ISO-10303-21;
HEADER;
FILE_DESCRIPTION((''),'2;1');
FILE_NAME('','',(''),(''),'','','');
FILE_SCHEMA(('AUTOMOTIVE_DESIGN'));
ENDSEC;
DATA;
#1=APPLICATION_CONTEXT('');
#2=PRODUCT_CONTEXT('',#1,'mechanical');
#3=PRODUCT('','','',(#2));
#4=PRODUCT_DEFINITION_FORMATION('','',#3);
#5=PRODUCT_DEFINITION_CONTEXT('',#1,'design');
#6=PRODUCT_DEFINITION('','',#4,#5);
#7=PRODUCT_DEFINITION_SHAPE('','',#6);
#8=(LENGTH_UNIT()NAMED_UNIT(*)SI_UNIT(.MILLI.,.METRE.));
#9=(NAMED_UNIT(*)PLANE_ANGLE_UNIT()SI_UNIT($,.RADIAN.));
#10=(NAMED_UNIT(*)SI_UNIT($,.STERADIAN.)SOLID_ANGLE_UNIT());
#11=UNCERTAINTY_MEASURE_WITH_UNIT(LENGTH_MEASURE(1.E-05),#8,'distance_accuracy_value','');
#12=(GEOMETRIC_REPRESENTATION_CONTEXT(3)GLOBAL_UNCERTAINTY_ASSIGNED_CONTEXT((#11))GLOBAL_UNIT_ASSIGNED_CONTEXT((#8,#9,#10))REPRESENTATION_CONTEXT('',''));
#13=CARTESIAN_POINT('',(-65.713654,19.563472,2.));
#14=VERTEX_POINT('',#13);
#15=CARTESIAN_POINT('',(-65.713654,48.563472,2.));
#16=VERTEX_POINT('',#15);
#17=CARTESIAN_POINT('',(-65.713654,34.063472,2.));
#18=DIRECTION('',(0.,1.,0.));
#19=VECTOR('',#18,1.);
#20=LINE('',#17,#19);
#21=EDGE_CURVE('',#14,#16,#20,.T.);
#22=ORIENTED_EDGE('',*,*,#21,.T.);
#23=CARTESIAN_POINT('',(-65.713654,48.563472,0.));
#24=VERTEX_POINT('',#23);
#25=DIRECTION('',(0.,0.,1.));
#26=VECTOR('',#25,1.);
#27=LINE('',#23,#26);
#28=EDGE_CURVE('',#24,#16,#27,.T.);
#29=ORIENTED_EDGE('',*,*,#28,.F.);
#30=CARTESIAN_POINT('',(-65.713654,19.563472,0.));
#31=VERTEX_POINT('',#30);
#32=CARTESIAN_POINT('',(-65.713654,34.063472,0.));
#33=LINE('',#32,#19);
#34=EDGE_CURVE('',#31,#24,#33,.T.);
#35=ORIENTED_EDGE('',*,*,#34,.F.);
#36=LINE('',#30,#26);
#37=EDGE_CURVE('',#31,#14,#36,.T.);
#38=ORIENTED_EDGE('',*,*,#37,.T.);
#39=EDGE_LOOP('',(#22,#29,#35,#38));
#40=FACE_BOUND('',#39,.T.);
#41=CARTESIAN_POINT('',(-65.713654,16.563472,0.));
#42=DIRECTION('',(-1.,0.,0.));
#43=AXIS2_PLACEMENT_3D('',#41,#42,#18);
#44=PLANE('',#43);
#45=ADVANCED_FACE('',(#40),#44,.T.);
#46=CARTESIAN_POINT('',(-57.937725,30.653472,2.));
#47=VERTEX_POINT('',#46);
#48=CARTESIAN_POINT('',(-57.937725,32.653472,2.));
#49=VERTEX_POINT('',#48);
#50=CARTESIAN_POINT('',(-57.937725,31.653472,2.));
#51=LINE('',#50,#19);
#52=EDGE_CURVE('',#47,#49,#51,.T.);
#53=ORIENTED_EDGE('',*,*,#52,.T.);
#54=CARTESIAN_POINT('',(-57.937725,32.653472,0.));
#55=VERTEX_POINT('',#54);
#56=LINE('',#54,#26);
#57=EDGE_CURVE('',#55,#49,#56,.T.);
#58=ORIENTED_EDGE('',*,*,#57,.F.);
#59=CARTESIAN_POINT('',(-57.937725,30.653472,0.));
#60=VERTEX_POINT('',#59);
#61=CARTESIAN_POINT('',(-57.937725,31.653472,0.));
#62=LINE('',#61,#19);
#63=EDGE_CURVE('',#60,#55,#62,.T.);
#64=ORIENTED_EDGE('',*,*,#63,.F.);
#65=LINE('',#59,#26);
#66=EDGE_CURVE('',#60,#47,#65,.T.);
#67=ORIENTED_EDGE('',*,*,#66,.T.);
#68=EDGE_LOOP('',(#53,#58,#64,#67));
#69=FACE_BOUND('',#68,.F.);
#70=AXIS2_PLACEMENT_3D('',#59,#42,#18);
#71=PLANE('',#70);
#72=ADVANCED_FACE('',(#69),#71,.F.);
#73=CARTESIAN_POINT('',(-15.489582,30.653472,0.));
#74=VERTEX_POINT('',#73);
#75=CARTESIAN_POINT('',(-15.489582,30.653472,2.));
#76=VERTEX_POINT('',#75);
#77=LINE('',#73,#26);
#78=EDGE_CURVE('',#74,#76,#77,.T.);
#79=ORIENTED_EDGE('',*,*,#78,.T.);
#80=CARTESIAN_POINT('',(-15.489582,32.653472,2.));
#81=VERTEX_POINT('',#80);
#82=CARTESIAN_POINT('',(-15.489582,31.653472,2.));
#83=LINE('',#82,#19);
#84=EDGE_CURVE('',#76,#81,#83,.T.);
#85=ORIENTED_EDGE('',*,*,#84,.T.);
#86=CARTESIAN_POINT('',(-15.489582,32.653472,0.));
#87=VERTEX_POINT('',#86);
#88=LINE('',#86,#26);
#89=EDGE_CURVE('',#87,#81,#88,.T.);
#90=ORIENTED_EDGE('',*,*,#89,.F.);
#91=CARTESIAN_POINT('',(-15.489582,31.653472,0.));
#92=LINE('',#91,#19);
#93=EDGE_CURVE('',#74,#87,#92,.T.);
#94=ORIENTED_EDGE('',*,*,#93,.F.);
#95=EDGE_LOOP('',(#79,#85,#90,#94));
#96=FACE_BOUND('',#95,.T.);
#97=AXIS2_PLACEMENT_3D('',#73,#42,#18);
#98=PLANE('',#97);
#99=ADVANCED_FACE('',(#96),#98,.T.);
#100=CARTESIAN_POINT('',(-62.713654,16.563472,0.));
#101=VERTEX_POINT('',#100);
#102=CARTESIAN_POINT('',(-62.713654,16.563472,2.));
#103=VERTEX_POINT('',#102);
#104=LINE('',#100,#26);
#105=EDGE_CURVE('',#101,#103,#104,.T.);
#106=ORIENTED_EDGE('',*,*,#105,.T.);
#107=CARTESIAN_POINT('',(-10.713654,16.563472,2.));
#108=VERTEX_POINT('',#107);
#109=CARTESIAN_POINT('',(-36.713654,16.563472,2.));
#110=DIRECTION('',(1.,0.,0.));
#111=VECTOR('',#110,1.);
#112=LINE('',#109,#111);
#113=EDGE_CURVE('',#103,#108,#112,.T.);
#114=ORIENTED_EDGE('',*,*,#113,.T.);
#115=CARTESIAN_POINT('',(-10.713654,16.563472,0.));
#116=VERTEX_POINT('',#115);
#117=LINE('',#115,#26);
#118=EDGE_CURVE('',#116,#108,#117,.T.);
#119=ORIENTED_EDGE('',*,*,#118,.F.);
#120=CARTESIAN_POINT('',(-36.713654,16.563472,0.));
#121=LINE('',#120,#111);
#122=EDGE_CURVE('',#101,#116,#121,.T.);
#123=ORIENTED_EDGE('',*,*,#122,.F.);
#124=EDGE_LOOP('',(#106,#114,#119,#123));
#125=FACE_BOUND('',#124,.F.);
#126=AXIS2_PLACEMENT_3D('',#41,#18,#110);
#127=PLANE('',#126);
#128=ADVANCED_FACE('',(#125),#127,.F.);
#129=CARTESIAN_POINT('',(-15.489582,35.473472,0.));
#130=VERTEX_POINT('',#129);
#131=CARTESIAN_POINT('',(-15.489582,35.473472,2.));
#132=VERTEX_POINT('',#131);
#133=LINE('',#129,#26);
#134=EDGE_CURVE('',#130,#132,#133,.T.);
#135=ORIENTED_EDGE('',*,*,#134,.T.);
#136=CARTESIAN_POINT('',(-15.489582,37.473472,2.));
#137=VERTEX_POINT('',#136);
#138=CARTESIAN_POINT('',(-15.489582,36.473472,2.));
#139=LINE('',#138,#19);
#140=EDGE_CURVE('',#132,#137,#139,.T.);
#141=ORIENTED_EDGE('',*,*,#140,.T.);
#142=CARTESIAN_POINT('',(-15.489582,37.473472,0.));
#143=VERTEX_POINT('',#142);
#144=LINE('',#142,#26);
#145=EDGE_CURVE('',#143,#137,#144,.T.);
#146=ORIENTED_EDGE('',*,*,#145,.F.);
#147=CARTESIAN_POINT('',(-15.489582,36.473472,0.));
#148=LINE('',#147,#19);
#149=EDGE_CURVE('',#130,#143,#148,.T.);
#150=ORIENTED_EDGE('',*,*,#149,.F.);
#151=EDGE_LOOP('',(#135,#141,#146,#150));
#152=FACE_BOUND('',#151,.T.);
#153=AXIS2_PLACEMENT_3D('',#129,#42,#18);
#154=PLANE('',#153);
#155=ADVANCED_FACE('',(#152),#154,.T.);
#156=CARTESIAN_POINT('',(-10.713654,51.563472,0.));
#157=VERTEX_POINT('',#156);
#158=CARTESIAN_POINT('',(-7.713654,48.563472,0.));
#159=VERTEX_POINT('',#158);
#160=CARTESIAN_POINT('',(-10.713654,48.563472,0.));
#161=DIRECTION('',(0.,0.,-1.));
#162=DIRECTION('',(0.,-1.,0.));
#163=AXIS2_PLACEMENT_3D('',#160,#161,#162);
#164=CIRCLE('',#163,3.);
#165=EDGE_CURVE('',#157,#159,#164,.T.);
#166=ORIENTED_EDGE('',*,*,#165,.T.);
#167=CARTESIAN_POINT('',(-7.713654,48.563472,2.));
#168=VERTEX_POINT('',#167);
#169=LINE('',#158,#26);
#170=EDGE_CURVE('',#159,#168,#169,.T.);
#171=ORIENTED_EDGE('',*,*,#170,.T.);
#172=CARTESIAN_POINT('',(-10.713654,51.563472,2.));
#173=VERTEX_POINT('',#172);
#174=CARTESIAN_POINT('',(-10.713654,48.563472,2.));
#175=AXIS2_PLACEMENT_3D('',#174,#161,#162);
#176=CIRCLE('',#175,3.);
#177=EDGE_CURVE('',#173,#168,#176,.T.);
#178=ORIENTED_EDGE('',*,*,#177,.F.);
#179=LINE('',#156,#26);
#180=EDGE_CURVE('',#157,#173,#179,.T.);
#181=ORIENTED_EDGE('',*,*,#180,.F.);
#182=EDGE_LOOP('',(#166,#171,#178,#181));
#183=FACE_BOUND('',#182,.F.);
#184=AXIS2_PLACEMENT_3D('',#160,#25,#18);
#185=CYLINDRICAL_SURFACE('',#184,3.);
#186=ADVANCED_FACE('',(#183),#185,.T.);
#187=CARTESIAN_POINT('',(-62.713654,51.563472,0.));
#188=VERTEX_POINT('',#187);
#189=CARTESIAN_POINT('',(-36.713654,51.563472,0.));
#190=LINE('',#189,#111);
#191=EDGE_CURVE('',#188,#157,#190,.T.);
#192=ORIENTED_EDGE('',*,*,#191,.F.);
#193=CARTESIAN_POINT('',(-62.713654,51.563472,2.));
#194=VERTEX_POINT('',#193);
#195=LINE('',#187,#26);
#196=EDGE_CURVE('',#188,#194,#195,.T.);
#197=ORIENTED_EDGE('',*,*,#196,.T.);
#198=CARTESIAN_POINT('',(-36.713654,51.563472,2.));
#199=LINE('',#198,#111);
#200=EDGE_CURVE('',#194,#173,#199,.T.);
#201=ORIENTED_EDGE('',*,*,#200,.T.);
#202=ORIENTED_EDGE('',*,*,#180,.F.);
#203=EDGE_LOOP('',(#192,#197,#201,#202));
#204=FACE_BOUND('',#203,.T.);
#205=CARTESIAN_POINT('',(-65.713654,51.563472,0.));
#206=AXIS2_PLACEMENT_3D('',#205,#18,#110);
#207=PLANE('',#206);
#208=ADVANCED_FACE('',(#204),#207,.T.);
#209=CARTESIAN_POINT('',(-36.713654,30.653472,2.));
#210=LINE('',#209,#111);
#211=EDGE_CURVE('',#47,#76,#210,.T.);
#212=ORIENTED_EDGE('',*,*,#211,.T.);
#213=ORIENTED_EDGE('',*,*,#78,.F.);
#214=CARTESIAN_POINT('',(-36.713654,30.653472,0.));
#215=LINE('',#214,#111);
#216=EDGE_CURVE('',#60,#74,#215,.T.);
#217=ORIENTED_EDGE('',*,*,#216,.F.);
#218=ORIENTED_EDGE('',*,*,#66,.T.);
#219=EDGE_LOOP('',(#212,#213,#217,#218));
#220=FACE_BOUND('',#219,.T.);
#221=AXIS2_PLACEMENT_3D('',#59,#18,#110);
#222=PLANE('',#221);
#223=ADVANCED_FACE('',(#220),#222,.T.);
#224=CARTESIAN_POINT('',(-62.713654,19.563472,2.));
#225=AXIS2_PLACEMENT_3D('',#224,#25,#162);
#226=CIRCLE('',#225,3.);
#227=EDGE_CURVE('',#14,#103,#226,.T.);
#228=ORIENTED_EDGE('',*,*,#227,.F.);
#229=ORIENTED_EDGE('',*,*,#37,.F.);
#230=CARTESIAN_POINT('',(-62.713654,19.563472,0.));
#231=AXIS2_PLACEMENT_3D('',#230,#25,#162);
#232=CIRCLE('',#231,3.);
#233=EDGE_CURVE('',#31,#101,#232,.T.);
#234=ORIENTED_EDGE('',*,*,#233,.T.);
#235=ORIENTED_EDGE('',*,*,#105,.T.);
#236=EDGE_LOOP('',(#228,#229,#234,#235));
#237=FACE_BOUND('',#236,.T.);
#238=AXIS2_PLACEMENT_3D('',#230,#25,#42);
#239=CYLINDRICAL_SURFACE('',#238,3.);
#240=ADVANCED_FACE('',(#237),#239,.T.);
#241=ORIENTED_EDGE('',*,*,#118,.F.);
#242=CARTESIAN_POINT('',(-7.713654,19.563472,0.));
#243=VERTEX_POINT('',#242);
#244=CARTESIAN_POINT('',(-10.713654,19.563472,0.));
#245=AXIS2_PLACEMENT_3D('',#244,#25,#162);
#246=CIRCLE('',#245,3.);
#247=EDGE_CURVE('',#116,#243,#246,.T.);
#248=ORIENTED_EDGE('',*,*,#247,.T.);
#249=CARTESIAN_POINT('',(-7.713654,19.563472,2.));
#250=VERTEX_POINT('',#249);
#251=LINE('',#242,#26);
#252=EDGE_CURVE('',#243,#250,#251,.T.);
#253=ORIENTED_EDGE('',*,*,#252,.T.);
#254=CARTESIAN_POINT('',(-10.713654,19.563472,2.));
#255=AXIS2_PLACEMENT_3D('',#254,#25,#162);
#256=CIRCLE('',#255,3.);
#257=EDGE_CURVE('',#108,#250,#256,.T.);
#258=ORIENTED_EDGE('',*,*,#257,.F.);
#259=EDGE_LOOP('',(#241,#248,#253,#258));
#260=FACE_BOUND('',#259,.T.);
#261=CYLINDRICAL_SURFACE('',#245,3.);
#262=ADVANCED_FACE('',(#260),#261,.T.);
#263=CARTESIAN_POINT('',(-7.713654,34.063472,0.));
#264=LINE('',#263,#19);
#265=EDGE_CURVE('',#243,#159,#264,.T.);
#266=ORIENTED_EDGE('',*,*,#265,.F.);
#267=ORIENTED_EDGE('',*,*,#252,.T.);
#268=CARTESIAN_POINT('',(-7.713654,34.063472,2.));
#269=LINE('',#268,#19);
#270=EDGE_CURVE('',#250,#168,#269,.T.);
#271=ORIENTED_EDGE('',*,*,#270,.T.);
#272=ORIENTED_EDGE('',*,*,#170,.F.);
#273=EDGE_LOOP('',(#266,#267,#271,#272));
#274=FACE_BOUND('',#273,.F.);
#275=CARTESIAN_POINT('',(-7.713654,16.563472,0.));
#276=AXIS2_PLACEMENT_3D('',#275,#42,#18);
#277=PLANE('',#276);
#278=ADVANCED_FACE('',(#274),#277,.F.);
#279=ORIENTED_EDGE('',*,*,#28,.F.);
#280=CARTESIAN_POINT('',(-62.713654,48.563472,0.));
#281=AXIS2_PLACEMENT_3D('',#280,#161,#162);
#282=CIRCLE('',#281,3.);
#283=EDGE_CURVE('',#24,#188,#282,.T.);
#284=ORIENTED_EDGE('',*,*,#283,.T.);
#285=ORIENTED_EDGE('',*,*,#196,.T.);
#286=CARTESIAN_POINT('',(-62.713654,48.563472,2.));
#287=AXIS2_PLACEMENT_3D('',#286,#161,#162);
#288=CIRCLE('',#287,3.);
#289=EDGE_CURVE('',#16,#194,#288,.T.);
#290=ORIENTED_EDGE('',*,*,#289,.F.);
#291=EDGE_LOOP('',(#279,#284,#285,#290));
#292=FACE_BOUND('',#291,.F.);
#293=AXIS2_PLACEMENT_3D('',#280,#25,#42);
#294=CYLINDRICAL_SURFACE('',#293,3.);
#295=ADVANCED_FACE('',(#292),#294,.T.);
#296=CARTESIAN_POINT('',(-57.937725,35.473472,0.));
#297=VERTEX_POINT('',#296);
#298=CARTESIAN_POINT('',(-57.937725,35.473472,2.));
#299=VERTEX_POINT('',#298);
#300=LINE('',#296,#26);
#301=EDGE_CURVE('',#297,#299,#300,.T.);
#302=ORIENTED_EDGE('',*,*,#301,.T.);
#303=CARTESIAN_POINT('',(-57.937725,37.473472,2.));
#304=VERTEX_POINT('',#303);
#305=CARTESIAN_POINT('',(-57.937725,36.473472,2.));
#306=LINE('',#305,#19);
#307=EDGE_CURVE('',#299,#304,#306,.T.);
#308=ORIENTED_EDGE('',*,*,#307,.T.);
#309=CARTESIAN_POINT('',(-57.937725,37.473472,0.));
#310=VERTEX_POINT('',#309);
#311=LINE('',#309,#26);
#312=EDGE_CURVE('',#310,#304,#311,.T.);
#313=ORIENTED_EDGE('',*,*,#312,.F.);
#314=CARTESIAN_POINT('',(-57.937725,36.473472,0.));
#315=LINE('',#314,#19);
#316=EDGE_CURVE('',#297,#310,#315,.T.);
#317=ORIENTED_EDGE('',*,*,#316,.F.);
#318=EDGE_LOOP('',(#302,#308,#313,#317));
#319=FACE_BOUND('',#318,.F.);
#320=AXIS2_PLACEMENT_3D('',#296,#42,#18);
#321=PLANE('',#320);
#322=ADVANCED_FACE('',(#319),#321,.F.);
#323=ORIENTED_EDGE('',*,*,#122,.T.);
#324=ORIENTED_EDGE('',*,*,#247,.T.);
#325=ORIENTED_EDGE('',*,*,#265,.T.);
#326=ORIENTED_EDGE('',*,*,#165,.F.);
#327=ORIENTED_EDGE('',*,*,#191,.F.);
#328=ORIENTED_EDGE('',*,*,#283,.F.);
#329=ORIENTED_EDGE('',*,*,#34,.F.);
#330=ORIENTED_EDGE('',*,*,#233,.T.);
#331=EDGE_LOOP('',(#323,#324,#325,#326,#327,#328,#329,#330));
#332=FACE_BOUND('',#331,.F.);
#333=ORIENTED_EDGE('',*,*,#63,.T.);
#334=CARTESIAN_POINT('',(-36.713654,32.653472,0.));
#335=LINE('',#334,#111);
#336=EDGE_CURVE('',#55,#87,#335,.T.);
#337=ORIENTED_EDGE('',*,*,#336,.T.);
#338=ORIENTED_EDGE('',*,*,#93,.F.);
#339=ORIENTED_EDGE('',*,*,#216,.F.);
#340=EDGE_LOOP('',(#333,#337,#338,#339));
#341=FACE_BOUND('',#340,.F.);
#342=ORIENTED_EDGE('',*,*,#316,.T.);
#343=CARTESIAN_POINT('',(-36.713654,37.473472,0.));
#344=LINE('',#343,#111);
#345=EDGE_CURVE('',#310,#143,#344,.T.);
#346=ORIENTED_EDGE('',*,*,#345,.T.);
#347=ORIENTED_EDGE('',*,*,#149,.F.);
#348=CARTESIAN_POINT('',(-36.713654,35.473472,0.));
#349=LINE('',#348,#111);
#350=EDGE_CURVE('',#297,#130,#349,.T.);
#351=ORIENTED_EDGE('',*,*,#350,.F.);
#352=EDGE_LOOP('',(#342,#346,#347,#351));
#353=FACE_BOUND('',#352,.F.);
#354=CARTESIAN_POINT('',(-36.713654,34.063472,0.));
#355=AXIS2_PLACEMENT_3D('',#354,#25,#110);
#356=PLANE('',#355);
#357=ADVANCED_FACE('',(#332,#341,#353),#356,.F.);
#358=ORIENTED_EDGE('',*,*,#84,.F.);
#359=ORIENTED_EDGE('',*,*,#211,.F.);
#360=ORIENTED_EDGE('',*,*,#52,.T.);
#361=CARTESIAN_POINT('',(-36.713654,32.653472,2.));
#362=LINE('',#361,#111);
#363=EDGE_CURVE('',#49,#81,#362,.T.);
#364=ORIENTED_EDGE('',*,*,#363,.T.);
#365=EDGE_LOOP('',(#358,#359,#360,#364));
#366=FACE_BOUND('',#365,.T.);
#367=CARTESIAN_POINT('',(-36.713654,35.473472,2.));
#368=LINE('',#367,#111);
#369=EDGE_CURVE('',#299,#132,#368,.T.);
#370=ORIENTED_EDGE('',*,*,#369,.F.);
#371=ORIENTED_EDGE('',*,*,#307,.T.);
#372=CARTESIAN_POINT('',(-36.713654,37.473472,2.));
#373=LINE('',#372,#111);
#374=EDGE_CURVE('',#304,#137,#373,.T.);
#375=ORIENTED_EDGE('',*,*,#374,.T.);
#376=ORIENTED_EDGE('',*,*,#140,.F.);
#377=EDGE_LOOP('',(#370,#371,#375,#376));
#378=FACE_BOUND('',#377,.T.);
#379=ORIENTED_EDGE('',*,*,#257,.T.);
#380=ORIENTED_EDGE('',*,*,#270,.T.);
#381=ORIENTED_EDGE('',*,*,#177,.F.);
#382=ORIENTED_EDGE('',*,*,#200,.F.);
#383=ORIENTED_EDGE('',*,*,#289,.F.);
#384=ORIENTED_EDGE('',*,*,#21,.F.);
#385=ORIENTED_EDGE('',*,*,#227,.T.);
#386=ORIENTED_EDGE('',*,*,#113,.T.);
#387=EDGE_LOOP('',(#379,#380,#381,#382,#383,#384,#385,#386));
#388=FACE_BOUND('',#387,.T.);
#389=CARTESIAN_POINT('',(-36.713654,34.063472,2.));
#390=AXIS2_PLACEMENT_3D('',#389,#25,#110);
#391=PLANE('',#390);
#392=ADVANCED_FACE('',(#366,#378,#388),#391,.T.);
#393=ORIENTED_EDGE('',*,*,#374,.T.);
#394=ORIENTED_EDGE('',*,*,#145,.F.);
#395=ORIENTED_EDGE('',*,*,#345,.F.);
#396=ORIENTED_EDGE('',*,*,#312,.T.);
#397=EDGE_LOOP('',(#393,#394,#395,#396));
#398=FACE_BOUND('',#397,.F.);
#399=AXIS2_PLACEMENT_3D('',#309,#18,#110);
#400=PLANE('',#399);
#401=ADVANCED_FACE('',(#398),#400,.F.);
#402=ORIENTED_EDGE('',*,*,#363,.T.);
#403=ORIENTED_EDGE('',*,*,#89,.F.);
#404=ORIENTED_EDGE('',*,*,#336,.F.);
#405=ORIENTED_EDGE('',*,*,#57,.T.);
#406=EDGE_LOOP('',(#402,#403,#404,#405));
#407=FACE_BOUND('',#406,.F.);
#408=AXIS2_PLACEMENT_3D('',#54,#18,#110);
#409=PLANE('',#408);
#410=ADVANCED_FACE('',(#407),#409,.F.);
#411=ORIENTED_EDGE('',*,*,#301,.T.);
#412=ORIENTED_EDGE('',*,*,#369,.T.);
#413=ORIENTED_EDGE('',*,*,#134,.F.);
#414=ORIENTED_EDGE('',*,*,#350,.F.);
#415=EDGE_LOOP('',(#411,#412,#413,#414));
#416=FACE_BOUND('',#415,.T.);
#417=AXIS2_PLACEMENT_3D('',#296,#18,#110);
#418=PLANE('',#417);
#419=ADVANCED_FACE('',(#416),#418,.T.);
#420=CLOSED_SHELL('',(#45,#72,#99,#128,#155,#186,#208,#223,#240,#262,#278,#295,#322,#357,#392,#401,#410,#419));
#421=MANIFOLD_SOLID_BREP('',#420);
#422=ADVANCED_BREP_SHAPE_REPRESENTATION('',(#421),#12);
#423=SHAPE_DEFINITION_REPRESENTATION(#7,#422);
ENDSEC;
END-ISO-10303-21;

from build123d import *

# Parameters (mm, degrees)
F0_W     = 58
F0_H     = 35
F0_W_2   = 42.448143
F0_H_2   = 2
F1_DEPTH = 2
F2_R     = 3


with BuildPart() as f1:
    # F0 (on Top) → F1 (new body)
    with BuildSketch(Plane.XY):
        with Locations((-36.713654, 34.063472)):
            Rectangle(F0_W, F0_H)
        with Locations((-36.713654, 31.653472)):
            Rectangle(F0_W_2, F0_H_2, mode=Mode.SUBTRACT)
        with Locations((-36.713654, 36.473472)):
            Rectangle(F0_W_2, F0_H_2, mode=Mode.SUBTRACT)
    extrude(amount=F1_DEPTH)

    # F2
    f2_edges = [f1.edges().sort_by_distance(p)[0] for p in [
        (-7.713654, 51.563472, 1),
        (-65.713654, 16.563472, 1),
        (-65.713654, 51.563472, 1),
        (-7.713654, 16.563472, 1),
    ]]
    fillet(f2_edges, radius=F2_R)


solid = f1.part
